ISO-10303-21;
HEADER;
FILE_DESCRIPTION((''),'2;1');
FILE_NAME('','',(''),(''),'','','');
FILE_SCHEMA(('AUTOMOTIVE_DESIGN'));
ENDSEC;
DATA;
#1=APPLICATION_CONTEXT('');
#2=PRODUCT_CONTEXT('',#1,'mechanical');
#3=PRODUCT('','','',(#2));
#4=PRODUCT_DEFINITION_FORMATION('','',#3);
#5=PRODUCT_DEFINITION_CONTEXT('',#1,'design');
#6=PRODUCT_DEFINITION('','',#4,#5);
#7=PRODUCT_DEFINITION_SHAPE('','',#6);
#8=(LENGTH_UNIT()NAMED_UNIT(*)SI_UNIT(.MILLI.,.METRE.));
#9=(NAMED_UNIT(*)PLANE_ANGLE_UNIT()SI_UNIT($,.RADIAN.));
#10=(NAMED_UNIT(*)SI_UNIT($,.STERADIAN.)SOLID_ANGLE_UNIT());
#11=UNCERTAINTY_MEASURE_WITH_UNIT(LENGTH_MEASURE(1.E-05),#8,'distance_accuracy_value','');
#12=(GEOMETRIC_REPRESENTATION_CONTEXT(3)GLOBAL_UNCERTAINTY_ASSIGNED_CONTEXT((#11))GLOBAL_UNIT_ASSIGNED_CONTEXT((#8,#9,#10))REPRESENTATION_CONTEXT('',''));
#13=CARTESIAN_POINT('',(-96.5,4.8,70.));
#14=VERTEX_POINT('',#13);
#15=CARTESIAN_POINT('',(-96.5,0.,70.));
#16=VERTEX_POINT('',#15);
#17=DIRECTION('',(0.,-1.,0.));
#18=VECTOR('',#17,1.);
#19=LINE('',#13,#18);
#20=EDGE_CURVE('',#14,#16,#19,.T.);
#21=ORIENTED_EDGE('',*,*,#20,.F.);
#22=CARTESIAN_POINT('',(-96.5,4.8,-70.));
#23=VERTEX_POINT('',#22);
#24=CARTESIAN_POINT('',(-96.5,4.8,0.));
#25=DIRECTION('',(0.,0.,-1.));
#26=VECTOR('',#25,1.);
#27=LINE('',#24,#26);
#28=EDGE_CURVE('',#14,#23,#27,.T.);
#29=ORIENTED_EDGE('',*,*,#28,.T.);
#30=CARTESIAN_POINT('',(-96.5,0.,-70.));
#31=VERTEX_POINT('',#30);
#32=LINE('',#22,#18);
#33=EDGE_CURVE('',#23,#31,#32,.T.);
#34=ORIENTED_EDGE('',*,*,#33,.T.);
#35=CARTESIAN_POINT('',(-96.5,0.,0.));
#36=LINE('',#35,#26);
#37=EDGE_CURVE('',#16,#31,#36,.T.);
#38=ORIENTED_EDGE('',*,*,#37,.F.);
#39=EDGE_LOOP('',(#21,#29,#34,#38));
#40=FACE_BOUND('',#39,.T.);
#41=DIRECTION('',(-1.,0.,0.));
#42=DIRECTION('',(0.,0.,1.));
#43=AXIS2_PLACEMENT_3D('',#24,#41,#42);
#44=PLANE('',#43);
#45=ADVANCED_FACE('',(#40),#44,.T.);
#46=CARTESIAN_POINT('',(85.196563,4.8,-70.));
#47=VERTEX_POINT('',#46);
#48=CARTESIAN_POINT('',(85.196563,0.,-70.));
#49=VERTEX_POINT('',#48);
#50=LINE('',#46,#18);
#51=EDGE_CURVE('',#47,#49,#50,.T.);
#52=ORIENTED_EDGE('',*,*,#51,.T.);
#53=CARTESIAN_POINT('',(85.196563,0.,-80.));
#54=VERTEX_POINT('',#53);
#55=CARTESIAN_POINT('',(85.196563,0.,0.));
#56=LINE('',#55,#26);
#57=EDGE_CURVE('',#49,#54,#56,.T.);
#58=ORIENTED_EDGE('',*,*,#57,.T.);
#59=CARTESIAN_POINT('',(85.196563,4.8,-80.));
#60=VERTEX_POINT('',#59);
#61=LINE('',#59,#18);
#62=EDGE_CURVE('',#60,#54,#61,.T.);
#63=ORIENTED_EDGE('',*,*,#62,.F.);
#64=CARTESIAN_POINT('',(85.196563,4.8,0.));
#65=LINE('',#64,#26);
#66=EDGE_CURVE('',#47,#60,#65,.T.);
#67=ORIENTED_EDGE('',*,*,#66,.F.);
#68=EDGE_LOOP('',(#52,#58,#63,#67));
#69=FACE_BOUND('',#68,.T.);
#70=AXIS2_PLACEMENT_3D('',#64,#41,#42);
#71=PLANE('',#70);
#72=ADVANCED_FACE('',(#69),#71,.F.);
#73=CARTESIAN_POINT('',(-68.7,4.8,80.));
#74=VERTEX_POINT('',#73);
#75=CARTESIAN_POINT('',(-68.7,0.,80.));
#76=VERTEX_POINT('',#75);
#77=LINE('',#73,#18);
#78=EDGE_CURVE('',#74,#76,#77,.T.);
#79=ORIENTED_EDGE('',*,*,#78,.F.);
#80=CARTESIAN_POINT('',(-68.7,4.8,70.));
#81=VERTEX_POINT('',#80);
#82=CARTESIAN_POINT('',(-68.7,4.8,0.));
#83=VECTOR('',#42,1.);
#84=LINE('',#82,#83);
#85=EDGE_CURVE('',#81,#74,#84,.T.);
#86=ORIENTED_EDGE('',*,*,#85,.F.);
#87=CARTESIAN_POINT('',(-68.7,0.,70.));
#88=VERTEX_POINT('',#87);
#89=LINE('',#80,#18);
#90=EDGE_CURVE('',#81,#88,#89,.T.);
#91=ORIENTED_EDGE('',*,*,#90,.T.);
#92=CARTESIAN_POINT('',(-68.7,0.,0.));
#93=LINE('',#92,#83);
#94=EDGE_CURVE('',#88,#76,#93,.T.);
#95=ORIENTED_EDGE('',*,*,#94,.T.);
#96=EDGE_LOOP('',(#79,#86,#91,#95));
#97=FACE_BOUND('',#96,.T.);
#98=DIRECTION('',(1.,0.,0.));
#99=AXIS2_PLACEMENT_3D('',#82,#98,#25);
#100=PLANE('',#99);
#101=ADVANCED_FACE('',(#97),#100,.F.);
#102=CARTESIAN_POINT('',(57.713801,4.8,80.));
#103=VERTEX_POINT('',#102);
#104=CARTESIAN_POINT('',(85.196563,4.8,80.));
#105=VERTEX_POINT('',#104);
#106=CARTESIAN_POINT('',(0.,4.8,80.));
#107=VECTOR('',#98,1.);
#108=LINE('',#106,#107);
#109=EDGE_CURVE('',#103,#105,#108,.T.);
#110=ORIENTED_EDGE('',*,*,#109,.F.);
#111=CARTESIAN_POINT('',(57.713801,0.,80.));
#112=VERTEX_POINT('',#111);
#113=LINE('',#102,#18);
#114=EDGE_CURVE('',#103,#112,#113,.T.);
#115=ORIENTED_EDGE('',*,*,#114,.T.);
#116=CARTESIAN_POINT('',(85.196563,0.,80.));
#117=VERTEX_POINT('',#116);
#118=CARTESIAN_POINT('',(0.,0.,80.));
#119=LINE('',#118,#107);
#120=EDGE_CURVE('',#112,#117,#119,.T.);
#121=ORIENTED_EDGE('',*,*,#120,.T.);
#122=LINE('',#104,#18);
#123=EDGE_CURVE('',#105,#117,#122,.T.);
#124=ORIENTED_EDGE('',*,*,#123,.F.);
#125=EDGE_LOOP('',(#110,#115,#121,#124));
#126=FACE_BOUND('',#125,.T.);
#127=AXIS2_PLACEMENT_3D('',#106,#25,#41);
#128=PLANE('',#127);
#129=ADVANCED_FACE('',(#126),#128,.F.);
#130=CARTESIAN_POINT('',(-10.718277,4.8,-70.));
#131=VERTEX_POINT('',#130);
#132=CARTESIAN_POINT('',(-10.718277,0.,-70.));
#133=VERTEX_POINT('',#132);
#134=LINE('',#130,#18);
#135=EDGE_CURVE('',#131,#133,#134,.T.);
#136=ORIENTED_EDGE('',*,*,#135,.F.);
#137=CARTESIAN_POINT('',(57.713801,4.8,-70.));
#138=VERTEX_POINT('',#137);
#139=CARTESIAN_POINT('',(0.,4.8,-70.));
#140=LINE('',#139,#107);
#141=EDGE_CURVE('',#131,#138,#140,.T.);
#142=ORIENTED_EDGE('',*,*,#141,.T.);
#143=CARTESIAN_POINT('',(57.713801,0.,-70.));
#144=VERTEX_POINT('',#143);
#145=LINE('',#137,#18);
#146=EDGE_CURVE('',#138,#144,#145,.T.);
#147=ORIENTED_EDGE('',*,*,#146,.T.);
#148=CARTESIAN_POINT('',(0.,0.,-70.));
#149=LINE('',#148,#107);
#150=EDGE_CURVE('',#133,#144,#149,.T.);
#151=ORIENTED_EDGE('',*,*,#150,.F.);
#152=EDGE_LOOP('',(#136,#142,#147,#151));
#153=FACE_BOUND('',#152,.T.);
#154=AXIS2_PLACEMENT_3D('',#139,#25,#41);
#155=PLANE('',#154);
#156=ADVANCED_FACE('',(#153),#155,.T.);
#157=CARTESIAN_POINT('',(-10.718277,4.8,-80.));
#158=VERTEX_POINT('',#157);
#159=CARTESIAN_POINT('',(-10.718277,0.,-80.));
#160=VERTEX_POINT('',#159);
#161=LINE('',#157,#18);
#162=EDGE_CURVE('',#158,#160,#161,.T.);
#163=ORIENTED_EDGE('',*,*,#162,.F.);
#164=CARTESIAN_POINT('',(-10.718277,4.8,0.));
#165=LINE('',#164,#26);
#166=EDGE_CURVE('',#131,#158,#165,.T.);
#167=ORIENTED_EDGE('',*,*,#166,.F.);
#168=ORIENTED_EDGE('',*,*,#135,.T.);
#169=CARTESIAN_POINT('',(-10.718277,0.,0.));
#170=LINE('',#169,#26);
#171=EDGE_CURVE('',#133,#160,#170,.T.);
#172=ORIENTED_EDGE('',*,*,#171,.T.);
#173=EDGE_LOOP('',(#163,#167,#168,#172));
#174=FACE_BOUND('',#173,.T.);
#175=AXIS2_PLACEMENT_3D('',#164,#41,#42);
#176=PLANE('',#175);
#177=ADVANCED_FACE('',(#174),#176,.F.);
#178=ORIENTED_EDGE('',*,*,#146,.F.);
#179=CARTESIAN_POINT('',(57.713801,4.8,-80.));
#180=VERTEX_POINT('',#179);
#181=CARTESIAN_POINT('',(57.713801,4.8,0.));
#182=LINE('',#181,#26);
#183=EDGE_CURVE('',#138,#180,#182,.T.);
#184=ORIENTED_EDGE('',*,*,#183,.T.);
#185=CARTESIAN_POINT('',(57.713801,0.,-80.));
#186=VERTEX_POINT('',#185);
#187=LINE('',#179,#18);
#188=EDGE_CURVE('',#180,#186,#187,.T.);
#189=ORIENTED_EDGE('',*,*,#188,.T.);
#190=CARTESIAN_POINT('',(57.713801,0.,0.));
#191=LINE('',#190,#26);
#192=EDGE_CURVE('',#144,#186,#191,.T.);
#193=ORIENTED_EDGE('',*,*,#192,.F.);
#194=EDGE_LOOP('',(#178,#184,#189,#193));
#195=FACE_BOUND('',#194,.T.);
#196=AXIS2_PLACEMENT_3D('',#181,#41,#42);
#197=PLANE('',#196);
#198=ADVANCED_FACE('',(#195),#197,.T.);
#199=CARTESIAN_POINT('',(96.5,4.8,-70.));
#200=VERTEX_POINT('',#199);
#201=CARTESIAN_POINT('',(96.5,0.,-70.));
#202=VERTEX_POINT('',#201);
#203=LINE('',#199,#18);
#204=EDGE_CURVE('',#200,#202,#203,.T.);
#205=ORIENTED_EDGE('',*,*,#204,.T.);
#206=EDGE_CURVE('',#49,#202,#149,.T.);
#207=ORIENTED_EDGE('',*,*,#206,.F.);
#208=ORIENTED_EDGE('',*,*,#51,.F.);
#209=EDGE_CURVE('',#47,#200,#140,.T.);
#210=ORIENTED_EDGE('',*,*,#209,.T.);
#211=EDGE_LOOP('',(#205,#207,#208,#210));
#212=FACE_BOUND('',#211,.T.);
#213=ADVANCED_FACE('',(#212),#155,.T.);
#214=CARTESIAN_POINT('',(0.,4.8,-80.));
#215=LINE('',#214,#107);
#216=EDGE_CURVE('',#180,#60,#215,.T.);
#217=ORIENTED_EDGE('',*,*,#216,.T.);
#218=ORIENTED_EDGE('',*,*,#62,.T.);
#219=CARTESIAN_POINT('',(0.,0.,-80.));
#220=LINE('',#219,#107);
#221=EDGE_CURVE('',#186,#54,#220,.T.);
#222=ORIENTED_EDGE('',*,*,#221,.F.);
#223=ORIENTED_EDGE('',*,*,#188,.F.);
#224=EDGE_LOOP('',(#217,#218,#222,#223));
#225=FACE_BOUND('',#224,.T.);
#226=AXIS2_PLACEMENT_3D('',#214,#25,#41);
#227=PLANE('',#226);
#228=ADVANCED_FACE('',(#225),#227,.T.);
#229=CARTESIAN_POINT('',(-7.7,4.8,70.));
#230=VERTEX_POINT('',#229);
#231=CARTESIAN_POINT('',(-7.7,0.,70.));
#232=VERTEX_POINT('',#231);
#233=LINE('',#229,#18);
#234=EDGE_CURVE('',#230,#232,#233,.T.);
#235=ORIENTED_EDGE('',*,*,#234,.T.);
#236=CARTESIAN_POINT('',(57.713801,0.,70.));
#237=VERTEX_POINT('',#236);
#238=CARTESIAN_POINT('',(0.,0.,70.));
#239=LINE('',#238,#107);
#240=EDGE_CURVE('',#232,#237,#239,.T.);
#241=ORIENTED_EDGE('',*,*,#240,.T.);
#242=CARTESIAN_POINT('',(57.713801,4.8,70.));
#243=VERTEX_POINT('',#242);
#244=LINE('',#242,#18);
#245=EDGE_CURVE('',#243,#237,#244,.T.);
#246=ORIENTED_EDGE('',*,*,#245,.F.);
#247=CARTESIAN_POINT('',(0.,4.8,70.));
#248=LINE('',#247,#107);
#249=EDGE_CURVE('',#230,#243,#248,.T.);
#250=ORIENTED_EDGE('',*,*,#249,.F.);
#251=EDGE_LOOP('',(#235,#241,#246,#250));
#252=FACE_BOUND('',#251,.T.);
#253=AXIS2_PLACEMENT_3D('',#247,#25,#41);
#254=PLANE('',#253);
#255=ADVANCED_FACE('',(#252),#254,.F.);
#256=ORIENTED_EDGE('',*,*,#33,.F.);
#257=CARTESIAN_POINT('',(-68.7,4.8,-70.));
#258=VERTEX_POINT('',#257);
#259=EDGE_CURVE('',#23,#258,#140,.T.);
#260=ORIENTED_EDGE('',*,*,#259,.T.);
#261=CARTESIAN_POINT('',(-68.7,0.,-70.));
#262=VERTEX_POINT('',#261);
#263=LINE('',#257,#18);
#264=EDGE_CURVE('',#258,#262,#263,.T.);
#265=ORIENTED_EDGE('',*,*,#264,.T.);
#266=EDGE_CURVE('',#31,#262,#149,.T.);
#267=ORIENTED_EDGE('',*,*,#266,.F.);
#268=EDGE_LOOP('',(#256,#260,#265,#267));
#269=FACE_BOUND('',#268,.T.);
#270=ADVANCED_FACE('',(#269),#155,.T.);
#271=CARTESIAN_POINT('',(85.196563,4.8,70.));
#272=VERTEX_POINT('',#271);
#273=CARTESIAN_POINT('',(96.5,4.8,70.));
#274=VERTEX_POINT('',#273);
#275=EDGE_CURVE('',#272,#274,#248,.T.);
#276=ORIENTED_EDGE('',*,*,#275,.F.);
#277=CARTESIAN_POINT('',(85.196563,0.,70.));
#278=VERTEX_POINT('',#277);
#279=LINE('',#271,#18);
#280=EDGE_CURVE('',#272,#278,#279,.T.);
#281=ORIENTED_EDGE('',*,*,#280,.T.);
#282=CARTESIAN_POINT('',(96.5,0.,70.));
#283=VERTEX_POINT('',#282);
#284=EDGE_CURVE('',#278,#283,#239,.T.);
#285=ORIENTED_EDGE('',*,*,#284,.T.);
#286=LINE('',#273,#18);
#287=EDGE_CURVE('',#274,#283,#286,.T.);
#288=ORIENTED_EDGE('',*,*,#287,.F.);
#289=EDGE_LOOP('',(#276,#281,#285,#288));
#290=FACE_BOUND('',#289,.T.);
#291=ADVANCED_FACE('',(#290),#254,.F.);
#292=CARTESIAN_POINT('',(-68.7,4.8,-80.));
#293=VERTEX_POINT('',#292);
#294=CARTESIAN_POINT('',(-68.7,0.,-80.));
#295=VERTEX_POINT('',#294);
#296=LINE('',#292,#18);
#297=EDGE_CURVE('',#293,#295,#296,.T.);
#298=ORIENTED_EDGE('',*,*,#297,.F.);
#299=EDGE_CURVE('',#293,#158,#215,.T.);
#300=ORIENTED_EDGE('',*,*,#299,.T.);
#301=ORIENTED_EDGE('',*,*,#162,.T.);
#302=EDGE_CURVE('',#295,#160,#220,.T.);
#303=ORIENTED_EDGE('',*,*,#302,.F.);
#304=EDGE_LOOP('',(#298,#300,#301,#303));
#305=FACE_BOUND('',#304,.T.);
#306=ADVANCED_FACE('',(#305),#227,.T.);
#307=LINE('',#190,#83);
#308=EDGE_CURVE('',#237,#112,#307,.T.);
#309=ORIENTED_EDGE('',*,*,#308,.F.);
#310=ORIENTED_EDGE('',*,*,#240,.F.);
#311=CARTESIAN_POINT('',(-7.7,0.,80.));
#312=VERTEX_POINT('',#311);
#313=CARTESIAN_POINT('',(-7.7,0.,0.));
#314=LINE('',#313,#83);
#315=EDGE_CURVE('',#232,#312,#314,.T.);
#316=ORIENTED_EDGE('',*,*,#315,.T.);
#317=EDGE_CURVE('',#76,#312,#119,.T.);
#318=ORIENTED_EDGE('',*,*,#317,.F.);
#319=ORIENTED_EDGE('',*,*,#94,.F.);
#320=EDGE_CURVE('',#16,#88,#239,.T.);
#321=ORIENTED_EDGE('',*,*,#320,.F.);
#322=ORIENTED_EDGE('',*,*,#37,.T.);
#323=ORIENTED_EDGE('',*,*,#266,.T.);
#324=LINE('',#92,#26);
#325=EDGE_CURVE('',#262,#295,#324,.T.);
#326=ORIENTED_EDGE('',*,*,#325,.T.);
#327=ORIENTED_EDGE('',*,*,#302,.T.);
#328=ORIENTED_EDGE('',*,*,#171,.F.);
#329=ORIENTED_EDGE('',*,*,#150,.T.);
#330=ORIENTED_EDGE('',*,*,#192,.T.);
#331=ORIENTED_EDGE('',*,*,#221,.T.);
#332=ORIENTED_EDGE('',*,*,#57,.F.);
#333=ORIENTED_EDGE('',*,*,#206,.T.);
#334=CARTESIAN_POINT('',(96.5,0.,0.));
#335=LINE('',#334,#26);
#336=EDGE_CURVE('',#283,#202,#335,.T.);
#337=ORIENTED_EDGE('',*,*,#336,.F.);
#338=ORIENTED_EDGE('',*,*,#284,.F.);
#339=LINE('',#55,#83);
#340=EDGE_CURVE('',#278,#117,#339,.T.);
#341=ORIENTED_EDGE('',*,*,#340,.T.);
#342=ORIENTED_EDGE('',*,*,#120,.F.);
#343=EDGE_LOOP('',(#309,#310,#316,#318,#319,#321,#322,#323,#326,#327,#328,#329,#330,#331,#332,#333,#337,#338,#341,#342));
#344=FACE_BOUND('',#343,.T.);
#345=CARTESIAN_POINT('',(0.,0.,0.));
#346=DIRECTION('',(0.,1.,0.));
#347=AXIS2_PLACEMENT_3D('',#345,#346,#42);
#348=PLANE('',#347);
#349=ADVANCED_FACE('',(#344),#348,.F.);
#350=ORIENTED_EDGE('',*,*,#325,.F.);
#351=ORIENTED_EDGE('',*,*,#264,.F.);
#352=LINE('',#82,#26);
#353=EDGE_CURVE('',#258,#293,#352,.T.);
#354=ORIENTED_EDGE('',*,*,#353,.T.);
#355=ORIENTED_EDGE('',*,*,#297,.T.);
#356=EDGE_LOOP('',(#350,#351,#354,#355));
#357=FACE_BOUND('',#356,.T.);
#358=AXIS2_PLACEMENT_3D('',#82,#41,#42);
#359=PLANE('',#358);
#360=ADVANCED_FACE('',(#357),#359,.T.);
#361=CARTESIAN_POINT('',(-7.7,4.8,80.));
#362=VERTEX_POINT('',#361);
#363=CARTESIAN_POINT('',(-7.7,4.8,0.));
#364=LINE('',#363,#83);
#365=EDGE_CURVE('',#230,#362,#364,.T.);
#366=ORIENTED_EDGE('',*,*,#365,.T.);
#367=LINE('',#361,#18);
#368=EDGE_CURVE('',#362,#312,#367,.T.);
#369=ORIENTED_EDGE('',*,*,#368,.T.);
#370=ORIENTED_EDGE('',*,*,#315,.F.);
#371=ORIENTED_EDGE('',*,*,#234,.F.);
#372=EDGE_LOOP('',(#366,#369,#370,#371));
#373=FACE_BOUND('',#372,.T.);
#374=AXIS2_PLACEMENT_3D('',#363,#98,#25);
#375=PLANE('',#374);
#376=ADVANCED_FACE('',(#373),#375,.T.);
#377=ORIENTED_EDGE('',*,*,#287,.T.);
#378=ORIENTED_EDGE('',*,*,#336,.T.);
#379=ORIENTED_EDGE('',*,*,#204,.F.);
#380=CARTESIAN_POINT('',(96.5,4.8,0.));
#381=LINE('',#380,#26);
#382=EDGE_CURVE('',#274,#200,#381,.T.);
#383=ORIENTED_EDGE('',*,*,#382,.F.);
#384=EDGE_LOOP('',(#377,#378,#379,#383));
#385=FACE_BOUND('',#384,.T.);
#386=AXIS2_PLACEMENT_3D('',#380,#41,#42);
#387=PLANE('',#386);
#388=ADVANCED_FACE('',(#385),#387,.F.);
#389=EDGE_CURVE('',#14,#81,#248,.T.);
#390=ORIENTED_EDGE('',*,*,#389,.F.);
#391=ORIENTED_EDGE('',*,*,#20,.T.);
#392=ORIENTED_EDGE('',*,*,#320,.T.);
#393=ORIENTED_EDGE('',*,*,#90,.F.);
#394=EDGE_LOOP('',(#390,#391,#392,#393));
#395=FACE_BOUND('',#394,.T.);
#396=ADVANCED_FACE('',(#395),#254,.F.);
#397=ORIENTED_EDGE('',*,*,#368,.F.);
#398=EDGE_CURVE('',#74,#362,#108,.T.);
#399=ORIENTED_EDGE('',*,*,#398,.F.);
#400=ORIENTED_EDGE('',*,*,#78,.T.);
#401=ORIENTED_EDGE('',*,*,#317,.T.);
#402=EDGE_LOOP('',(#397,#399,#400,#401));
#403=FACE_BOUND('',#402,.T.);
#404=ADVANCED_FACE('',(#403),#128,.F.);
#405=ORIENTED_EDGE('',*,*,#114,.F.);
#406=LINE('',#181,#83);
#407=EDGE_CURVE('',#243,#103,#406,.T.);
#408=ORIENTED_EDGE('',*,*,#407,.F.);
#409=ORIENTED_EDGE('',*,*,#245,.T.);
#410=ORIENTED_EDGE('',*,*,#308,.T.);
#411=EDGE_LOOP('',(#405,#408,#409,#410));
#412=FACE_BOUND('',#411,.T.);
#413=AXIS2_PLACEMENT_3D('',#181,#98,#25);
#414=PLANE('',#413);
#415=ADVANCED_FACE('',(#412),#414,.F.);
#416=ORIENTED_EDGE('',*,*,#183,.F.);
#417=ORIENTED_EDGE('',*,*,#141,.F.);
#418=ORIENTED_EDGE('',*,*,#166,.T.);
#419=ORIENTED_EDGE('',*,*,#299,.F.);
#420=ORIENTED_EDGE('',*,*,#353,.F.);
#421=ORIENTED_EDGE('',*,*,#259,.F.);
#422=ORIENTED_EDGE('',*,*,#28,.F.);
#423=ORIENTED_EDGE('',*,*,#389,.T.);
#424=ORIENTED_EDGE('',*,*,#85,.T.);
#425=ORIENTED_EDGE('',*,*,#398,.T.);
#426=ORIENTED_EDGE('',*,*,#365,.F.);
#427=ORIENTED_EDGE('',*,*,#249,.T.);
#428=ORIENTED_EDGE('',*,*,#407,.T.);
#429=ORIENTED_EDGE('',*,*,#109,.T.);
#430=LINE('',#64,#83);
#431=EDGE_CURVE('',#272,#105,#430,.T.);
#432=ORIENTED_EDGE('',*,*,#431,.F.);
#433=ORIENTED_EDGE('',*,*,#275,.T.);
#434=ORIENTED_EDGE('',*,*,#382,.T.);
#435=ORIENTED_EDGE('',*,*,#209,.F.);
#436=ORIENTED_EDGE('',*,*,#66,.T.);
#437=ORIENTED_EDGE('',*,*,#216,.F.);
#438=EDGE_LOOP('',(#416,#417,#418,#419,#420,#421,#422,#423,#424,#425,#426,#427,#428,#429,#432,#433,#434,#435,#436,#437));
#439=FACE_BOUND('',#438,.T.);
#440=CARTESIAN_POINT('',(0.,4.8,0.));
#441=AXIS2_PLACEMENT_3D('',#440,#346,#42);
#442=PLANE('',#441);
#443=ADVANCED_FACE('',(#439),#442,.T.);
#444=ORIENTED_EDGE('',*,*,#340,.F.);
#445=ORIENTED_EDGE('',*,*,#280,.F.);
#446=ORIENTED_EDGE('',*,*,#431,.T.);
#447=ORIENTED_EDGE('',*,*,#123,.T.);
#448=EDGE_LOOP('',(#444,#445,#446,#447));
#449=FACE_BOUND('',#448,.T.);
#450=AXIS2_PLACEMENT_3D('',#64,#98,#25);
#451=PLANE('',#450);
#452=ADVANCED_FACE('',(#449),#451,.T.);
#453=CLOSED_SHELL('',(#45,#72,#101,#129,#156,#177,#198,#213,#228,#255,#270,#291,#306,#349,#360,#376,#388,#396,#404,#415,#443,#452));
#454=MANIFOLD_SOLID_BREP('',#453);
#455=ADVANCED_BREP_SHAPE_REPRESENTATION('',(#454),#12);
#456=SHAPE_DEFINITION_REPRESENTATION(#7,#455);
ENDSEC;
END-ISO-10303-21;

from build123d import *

# Parameters (mm, degrees)
SKETCH1_W           = 193
SKETCH1_H           = 140
SKETCH1_W_2         = 57.981722711
SKETCH1_H_2         = 10
SKETCH1_W_3         = 27.482762279
SKETCH1_W_4         = 61
BOSS_EXTRUDE1_DEPTH = 4.8


with BuildPart() as part:
    # Sketch1 → Boss-Extrude1 (new body)
    with BuildSketch(Plane(origin=(0, 0, 0), x_dir=(1, 0, 0), z_dir=(0, 1, 0))):
        Rectangle(SKETCH1_W, SKETCH1_H)
        with Locations((-39.709138645, 75)):
            Rectangle(SKETCH1_W_2, SKETCH1_H_2)
        with Locations((71.455181925, 75)):
            Rectangle(SKETCH1_W_3, SKETCH1_H_2)
        with Locations((71.455181925, -75)):
            Rectangle(SKETCH1_W_3, SKETCH1_H_2)
        with Locations((-38.2, -75)):
            Rectangle(SKETCH1_W_4, SKETCH1_H_2)
    extrude(amount=BOSS_EXTRUDE1_DEPTH)


solid = part.part
